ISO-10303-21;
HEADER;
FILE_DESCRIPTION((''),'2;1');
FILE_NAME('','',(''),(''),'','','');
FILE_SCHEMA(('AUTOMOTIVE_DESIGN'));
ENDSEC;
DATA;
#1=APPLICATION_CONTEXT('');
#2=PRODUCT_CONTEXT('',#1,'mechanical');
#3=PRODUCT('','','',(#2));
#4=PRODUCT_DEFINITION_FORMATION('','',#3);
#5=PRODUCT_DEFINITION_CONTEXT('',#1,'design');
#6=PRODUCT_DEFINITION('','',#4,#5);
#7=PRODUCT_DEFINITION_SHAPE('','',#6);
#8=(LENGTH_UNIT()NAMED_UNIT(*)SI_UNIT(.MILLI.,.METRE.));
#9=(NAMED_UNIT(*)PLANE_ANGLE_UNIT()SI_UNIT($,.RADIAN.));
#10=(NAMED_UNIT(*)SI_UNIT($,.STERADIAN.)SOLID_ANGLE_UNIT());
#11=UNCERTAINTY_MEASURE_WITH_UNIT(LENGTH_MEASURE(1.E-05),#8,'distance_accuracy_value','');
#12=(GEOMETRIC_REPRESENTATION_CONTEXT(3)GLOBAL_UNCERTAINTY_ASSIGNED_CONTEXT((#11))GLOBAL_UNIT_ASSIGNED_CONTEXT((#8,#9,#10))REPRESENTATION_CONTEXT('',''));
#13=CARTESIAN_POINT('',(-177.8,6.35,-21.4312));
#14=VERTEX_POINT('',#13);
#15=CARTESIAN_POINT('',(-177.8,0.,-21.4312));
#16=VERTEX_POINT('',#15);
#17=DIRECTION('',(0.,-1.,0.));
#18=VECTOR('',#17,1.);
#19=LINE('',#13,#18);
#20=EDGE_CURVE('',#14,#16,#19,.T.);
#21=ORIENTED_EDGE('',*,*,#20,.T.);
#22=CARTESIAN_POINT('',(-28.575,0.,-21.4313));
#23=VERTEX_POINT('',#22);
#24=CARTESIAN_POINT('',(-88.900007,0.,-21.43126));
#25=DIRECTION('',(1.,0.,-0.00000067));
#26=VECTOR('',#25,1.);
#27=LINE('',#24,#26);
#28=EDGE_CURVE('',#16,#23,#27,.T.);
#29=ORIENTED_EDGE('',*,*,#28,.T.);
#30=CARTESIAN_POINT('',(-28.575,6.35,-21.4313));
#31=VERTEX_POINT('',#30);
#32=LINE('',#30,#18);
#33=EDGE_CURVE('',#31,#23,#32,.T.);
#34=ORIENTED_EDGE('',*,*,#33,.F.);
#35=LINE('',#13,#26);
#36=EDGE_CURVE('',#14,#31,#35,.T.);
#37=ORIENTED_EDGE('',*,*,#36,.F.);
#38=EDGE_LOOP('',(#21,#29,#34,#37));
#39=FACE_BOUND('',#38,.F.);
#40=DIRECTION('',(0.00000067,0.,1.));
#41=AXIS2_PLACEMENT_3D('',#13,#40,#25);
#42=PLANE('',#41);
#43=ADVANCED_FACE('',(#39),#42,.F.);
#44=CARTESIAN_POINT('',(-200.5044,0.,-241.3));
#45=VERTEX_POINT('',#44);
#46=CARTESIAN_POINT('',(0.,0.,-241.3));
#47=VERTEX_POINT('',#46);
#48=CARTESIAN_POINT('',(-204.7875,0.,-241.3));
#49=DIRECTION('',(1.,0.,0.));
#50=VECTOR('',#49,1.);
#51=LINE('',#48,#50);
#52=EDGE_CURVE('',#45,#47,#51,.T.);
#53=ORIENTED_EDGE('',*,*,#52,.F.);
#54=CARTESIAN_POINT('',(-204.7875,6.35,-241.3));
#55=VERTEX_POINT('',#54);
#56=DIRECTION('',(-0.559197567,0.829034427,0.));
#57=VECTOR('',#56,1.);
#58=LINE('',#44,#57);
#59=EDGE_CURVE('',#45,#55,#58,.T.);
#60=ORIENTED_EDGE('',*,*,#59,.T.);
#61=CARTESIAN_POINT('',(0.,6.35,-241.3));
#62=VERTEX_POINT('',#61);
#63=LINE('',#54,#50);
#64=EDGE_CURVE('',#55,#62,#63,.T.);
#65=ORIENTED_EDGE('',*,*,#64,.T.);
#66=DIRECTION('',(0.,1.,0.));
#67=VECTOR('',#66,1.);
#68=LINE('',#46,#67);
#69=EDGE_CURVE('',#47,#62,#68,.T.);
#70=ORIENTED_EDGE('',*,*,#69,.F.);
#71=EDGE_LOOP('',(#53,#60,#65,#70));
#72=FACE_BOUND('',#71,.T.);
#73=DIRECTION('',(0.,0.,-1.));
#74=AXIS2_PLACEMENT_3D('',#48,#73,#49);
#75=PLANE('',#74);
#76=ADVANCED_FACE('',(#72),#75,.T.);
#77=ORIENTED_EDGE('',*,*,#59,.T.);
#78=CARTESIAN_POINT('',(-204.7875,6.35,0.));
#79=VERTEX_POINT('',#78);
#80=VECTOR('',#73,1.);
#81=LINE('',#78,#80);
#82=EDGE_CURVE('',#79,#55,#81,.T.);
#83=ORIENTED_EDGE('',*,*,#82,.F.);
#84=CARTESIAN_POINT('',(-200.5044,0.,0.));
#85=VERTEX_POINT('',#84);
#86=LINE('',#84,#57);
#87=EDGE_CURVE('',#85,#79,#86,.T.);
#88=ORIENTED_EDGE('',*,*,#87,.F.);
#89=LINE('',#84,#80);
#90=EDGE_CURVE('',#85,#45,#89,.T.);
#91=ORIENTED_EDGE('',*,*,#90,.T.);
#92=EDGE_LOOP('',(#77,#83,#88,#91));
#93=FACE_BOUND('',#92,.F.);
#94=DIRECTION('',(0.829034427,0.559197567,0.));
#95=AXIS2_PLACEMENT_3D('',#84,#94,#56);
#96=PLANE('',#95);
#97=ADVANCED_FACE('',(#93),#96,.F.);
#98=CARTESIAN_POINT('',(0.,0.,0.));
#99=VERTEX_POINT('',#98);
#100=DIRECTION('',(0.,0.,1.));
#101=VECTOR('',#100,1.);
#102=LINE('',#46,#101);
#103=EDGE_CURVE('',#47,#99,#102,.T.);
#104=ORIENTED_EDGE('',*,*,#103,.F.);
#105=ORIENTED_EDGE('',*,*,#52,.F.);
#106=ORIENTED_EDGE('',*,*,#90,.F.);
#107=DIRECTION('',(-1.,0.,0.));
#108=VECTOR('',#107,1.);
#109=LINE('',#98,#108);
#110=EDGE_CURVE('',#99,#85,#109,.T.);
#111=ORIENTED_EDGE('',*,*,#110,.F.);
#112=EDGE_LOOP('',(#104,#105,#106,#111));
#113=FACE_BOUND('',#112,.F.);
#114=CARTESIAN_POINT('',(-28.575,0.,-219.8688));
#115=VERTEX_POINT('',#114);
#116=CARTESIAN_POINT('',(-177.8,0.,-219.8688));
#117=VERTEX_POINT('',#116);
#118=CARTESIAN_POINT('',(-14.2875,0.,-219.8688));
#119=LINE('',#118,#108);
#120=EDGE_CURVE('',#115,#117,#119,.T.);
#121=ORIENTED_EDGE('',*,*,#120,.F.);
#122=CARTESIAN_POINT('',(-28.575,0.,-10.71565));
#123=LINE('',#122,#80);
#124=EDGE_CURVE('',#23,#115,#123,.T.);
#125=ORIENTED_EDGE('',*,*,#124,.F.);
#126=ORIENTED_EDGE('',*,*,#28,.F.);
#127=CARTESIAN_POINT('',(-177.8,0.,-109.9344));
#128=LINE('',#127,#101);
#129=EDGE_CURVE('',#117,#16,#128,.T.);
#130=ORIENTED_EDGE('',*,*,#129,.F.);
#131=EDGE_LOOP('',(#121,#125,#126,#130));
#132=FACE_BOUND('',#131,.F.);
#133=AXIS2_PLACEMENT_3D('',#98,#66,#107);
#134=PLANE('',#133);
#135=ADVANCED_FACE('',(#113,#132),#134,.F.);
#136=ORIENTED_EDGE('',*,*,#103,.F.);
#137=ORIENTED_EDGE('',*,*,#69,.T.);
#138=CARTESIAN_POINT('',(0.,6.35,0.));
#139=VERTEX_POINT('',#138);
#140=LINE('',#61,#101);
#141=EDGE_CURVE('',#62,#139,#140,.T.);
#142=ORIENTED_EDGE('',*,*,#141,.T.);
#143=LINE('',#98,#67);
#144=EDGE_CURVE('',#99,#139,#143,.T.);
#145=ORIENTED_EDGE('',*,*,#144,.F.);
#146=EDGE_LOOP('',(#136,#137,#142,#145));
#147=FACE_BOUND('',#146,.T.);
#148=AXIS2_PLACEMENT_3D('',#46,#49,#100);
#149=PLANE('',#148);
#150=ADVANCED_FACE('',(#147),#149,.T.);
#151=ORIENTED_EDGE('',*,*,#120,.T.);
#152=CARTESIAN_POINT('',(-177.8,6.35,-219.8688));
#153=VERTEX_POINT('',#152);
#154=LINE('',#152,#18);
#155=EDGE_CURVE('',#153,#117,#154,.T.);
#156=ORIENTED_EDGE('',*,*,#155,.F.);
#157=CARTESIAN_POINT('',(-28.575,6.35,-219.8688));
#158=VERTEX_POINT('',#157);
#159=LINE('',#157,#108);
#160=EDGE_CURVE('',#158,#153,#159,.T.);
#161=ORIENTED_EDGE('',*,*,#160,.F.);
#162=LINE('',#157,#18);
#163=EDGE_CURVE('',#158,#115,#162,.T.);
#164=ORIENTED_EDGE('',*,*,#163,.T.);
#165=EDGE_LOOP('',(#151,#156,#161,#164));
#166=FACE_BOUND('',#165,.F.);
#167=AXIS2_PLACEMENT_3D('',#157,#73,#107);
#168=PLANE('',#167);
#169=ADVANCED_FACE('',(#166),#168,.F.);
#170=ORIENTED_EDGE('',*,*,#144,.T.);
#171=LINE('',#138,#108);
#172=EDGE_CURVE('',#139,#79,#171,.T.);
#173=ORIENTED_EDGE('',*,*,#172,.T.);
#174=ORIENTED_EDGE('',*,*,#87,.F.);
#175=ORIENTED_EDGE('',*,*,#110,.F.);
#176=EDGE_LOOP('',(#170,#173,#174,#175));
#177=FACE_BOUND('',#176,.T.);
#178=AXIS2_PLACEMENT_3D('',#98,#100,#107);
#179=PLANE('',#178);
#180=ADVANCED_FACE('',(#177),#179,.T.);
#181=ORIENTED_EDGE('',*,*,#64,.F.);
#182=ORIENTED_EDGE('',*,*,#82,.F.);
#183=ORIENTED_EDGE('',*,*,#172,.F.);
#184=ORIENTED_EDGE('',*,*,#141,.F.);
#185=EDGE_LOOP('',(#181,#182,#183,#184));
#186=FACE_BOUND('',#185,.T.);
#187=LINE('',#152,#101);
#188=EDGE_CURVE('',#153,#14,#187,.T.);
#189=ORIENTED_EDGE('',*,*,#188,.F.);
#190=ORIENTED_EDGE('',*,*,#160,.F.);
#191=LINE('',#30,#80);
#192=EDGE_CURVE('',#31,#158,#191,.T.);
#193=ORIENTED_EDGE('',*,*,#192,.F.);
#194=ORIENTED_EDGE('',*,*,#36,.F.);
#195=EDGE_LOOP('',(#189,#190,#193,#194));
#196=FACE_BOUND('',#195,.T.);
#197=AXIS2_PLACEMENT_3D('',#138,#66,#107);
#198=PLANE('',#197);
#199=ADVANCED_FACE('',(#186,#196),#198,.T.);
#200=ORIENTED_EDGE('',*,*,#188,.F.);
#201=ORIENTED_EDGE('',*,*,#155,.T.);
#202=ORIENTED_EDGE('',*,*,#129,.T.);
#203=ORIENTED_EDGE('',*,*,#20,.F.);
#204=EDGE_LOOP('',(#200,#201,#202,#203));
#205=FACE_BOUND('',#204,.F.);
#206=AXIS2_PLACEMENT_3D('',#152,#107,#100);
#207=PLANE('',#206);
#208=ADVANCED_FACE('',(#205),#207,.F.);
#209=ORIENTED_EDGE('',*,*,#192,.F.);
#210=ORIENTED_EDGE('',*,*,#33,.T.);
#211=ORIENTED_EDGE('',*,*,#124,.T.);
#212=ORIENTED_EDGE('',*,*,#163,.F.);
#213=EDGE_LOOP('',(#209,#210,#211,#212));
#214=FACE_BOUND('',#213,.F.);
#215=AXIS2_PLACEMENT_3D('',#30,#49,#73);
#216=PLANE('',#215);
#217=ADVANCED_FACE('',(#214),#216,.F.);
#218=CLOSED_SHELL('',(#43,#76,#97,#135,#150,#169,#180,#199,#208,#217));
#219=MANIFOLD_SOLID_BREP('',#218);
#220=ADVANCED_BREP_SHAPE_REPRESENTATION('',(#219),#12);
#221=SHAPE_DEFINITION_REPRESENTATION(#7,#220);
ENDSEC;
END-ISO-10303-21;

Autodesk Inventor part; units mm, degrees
ref_plane "YZ Plane" through (0, 0, 0) normal (1, 0, 0) x (0, 1, 0)
ref_plane "XZ Plane" through (0, 0, 0) normal (0, 1, 0) x (-1, 0, 0)
ref_plane "XY Plane" through (0, 0, 0) normal (0, 0, 1) x (1, 0, 0)
sketch "Sketch1" plane through (0, 0, 0) normal (0, 1, 0) x (-1, 0, 0)
  line L0 (0, 0) -> (204.7875, 0)
  line L1 (204.7875, 0) -> (204.7875, -241.3)
  line L2 (204.7875, -241.3) -> (0, -241.3)
  line L3 (0, -241.3) -> (0, 0)
  dimension "d0" = 204.7875
  dimension "d1" = 241.3
extrude "Extrusion1" add sketch "Sketch1" along normal blind 6.35
sketch "Sketch2" plane through (0, 6.35, 0) normal (0, 1, 0) x (1, 0, 0)
  line L0 (-28.575, 219.8688) -> (-177.8, 219.8688)
  line L1 (-177.8, 219.8688) -> (-177.8, 21.4312)
  line L2 (-177.8, 21.4312) -> (-28.575, 21.4313)
  line L3 (-28.575, 21.4313) -> (-28.575, 219.8688)
  line L4 (0, 0) -> (-204.7875, 0) projected
  line L5 (-204.7875, 241.3) -> (-204.7875, 0) projected
  dimension "d4" = 149.225
  dimension "d5" = 198.4375
  dimension "d6" = 21.4312
  dimension "d7" = 26.9875
extrude "Extrusion2" cut sketch "Sketch2" against normal blind 25.4
sketch "Sketch4" plane through (-204.7875, 0, 0) normal (0, 0, 1) x (1, 0, 0)
  line L0 (4.2831, 0) -> (-0.0504, 6.4246) projected
  line L1 (0, 0) -> (0, 6.35) projected
  line L2 (204.7875, 0) -> (0, 0) projected
  line L3 (0, 6.35) -> (0, 0)
  line L4 (0, 0) -> (4.2831, 0)
extrude "Extrusion4" cut sketch "Sketch4" against normal blind 241.3
properties part number "screen_holder"
